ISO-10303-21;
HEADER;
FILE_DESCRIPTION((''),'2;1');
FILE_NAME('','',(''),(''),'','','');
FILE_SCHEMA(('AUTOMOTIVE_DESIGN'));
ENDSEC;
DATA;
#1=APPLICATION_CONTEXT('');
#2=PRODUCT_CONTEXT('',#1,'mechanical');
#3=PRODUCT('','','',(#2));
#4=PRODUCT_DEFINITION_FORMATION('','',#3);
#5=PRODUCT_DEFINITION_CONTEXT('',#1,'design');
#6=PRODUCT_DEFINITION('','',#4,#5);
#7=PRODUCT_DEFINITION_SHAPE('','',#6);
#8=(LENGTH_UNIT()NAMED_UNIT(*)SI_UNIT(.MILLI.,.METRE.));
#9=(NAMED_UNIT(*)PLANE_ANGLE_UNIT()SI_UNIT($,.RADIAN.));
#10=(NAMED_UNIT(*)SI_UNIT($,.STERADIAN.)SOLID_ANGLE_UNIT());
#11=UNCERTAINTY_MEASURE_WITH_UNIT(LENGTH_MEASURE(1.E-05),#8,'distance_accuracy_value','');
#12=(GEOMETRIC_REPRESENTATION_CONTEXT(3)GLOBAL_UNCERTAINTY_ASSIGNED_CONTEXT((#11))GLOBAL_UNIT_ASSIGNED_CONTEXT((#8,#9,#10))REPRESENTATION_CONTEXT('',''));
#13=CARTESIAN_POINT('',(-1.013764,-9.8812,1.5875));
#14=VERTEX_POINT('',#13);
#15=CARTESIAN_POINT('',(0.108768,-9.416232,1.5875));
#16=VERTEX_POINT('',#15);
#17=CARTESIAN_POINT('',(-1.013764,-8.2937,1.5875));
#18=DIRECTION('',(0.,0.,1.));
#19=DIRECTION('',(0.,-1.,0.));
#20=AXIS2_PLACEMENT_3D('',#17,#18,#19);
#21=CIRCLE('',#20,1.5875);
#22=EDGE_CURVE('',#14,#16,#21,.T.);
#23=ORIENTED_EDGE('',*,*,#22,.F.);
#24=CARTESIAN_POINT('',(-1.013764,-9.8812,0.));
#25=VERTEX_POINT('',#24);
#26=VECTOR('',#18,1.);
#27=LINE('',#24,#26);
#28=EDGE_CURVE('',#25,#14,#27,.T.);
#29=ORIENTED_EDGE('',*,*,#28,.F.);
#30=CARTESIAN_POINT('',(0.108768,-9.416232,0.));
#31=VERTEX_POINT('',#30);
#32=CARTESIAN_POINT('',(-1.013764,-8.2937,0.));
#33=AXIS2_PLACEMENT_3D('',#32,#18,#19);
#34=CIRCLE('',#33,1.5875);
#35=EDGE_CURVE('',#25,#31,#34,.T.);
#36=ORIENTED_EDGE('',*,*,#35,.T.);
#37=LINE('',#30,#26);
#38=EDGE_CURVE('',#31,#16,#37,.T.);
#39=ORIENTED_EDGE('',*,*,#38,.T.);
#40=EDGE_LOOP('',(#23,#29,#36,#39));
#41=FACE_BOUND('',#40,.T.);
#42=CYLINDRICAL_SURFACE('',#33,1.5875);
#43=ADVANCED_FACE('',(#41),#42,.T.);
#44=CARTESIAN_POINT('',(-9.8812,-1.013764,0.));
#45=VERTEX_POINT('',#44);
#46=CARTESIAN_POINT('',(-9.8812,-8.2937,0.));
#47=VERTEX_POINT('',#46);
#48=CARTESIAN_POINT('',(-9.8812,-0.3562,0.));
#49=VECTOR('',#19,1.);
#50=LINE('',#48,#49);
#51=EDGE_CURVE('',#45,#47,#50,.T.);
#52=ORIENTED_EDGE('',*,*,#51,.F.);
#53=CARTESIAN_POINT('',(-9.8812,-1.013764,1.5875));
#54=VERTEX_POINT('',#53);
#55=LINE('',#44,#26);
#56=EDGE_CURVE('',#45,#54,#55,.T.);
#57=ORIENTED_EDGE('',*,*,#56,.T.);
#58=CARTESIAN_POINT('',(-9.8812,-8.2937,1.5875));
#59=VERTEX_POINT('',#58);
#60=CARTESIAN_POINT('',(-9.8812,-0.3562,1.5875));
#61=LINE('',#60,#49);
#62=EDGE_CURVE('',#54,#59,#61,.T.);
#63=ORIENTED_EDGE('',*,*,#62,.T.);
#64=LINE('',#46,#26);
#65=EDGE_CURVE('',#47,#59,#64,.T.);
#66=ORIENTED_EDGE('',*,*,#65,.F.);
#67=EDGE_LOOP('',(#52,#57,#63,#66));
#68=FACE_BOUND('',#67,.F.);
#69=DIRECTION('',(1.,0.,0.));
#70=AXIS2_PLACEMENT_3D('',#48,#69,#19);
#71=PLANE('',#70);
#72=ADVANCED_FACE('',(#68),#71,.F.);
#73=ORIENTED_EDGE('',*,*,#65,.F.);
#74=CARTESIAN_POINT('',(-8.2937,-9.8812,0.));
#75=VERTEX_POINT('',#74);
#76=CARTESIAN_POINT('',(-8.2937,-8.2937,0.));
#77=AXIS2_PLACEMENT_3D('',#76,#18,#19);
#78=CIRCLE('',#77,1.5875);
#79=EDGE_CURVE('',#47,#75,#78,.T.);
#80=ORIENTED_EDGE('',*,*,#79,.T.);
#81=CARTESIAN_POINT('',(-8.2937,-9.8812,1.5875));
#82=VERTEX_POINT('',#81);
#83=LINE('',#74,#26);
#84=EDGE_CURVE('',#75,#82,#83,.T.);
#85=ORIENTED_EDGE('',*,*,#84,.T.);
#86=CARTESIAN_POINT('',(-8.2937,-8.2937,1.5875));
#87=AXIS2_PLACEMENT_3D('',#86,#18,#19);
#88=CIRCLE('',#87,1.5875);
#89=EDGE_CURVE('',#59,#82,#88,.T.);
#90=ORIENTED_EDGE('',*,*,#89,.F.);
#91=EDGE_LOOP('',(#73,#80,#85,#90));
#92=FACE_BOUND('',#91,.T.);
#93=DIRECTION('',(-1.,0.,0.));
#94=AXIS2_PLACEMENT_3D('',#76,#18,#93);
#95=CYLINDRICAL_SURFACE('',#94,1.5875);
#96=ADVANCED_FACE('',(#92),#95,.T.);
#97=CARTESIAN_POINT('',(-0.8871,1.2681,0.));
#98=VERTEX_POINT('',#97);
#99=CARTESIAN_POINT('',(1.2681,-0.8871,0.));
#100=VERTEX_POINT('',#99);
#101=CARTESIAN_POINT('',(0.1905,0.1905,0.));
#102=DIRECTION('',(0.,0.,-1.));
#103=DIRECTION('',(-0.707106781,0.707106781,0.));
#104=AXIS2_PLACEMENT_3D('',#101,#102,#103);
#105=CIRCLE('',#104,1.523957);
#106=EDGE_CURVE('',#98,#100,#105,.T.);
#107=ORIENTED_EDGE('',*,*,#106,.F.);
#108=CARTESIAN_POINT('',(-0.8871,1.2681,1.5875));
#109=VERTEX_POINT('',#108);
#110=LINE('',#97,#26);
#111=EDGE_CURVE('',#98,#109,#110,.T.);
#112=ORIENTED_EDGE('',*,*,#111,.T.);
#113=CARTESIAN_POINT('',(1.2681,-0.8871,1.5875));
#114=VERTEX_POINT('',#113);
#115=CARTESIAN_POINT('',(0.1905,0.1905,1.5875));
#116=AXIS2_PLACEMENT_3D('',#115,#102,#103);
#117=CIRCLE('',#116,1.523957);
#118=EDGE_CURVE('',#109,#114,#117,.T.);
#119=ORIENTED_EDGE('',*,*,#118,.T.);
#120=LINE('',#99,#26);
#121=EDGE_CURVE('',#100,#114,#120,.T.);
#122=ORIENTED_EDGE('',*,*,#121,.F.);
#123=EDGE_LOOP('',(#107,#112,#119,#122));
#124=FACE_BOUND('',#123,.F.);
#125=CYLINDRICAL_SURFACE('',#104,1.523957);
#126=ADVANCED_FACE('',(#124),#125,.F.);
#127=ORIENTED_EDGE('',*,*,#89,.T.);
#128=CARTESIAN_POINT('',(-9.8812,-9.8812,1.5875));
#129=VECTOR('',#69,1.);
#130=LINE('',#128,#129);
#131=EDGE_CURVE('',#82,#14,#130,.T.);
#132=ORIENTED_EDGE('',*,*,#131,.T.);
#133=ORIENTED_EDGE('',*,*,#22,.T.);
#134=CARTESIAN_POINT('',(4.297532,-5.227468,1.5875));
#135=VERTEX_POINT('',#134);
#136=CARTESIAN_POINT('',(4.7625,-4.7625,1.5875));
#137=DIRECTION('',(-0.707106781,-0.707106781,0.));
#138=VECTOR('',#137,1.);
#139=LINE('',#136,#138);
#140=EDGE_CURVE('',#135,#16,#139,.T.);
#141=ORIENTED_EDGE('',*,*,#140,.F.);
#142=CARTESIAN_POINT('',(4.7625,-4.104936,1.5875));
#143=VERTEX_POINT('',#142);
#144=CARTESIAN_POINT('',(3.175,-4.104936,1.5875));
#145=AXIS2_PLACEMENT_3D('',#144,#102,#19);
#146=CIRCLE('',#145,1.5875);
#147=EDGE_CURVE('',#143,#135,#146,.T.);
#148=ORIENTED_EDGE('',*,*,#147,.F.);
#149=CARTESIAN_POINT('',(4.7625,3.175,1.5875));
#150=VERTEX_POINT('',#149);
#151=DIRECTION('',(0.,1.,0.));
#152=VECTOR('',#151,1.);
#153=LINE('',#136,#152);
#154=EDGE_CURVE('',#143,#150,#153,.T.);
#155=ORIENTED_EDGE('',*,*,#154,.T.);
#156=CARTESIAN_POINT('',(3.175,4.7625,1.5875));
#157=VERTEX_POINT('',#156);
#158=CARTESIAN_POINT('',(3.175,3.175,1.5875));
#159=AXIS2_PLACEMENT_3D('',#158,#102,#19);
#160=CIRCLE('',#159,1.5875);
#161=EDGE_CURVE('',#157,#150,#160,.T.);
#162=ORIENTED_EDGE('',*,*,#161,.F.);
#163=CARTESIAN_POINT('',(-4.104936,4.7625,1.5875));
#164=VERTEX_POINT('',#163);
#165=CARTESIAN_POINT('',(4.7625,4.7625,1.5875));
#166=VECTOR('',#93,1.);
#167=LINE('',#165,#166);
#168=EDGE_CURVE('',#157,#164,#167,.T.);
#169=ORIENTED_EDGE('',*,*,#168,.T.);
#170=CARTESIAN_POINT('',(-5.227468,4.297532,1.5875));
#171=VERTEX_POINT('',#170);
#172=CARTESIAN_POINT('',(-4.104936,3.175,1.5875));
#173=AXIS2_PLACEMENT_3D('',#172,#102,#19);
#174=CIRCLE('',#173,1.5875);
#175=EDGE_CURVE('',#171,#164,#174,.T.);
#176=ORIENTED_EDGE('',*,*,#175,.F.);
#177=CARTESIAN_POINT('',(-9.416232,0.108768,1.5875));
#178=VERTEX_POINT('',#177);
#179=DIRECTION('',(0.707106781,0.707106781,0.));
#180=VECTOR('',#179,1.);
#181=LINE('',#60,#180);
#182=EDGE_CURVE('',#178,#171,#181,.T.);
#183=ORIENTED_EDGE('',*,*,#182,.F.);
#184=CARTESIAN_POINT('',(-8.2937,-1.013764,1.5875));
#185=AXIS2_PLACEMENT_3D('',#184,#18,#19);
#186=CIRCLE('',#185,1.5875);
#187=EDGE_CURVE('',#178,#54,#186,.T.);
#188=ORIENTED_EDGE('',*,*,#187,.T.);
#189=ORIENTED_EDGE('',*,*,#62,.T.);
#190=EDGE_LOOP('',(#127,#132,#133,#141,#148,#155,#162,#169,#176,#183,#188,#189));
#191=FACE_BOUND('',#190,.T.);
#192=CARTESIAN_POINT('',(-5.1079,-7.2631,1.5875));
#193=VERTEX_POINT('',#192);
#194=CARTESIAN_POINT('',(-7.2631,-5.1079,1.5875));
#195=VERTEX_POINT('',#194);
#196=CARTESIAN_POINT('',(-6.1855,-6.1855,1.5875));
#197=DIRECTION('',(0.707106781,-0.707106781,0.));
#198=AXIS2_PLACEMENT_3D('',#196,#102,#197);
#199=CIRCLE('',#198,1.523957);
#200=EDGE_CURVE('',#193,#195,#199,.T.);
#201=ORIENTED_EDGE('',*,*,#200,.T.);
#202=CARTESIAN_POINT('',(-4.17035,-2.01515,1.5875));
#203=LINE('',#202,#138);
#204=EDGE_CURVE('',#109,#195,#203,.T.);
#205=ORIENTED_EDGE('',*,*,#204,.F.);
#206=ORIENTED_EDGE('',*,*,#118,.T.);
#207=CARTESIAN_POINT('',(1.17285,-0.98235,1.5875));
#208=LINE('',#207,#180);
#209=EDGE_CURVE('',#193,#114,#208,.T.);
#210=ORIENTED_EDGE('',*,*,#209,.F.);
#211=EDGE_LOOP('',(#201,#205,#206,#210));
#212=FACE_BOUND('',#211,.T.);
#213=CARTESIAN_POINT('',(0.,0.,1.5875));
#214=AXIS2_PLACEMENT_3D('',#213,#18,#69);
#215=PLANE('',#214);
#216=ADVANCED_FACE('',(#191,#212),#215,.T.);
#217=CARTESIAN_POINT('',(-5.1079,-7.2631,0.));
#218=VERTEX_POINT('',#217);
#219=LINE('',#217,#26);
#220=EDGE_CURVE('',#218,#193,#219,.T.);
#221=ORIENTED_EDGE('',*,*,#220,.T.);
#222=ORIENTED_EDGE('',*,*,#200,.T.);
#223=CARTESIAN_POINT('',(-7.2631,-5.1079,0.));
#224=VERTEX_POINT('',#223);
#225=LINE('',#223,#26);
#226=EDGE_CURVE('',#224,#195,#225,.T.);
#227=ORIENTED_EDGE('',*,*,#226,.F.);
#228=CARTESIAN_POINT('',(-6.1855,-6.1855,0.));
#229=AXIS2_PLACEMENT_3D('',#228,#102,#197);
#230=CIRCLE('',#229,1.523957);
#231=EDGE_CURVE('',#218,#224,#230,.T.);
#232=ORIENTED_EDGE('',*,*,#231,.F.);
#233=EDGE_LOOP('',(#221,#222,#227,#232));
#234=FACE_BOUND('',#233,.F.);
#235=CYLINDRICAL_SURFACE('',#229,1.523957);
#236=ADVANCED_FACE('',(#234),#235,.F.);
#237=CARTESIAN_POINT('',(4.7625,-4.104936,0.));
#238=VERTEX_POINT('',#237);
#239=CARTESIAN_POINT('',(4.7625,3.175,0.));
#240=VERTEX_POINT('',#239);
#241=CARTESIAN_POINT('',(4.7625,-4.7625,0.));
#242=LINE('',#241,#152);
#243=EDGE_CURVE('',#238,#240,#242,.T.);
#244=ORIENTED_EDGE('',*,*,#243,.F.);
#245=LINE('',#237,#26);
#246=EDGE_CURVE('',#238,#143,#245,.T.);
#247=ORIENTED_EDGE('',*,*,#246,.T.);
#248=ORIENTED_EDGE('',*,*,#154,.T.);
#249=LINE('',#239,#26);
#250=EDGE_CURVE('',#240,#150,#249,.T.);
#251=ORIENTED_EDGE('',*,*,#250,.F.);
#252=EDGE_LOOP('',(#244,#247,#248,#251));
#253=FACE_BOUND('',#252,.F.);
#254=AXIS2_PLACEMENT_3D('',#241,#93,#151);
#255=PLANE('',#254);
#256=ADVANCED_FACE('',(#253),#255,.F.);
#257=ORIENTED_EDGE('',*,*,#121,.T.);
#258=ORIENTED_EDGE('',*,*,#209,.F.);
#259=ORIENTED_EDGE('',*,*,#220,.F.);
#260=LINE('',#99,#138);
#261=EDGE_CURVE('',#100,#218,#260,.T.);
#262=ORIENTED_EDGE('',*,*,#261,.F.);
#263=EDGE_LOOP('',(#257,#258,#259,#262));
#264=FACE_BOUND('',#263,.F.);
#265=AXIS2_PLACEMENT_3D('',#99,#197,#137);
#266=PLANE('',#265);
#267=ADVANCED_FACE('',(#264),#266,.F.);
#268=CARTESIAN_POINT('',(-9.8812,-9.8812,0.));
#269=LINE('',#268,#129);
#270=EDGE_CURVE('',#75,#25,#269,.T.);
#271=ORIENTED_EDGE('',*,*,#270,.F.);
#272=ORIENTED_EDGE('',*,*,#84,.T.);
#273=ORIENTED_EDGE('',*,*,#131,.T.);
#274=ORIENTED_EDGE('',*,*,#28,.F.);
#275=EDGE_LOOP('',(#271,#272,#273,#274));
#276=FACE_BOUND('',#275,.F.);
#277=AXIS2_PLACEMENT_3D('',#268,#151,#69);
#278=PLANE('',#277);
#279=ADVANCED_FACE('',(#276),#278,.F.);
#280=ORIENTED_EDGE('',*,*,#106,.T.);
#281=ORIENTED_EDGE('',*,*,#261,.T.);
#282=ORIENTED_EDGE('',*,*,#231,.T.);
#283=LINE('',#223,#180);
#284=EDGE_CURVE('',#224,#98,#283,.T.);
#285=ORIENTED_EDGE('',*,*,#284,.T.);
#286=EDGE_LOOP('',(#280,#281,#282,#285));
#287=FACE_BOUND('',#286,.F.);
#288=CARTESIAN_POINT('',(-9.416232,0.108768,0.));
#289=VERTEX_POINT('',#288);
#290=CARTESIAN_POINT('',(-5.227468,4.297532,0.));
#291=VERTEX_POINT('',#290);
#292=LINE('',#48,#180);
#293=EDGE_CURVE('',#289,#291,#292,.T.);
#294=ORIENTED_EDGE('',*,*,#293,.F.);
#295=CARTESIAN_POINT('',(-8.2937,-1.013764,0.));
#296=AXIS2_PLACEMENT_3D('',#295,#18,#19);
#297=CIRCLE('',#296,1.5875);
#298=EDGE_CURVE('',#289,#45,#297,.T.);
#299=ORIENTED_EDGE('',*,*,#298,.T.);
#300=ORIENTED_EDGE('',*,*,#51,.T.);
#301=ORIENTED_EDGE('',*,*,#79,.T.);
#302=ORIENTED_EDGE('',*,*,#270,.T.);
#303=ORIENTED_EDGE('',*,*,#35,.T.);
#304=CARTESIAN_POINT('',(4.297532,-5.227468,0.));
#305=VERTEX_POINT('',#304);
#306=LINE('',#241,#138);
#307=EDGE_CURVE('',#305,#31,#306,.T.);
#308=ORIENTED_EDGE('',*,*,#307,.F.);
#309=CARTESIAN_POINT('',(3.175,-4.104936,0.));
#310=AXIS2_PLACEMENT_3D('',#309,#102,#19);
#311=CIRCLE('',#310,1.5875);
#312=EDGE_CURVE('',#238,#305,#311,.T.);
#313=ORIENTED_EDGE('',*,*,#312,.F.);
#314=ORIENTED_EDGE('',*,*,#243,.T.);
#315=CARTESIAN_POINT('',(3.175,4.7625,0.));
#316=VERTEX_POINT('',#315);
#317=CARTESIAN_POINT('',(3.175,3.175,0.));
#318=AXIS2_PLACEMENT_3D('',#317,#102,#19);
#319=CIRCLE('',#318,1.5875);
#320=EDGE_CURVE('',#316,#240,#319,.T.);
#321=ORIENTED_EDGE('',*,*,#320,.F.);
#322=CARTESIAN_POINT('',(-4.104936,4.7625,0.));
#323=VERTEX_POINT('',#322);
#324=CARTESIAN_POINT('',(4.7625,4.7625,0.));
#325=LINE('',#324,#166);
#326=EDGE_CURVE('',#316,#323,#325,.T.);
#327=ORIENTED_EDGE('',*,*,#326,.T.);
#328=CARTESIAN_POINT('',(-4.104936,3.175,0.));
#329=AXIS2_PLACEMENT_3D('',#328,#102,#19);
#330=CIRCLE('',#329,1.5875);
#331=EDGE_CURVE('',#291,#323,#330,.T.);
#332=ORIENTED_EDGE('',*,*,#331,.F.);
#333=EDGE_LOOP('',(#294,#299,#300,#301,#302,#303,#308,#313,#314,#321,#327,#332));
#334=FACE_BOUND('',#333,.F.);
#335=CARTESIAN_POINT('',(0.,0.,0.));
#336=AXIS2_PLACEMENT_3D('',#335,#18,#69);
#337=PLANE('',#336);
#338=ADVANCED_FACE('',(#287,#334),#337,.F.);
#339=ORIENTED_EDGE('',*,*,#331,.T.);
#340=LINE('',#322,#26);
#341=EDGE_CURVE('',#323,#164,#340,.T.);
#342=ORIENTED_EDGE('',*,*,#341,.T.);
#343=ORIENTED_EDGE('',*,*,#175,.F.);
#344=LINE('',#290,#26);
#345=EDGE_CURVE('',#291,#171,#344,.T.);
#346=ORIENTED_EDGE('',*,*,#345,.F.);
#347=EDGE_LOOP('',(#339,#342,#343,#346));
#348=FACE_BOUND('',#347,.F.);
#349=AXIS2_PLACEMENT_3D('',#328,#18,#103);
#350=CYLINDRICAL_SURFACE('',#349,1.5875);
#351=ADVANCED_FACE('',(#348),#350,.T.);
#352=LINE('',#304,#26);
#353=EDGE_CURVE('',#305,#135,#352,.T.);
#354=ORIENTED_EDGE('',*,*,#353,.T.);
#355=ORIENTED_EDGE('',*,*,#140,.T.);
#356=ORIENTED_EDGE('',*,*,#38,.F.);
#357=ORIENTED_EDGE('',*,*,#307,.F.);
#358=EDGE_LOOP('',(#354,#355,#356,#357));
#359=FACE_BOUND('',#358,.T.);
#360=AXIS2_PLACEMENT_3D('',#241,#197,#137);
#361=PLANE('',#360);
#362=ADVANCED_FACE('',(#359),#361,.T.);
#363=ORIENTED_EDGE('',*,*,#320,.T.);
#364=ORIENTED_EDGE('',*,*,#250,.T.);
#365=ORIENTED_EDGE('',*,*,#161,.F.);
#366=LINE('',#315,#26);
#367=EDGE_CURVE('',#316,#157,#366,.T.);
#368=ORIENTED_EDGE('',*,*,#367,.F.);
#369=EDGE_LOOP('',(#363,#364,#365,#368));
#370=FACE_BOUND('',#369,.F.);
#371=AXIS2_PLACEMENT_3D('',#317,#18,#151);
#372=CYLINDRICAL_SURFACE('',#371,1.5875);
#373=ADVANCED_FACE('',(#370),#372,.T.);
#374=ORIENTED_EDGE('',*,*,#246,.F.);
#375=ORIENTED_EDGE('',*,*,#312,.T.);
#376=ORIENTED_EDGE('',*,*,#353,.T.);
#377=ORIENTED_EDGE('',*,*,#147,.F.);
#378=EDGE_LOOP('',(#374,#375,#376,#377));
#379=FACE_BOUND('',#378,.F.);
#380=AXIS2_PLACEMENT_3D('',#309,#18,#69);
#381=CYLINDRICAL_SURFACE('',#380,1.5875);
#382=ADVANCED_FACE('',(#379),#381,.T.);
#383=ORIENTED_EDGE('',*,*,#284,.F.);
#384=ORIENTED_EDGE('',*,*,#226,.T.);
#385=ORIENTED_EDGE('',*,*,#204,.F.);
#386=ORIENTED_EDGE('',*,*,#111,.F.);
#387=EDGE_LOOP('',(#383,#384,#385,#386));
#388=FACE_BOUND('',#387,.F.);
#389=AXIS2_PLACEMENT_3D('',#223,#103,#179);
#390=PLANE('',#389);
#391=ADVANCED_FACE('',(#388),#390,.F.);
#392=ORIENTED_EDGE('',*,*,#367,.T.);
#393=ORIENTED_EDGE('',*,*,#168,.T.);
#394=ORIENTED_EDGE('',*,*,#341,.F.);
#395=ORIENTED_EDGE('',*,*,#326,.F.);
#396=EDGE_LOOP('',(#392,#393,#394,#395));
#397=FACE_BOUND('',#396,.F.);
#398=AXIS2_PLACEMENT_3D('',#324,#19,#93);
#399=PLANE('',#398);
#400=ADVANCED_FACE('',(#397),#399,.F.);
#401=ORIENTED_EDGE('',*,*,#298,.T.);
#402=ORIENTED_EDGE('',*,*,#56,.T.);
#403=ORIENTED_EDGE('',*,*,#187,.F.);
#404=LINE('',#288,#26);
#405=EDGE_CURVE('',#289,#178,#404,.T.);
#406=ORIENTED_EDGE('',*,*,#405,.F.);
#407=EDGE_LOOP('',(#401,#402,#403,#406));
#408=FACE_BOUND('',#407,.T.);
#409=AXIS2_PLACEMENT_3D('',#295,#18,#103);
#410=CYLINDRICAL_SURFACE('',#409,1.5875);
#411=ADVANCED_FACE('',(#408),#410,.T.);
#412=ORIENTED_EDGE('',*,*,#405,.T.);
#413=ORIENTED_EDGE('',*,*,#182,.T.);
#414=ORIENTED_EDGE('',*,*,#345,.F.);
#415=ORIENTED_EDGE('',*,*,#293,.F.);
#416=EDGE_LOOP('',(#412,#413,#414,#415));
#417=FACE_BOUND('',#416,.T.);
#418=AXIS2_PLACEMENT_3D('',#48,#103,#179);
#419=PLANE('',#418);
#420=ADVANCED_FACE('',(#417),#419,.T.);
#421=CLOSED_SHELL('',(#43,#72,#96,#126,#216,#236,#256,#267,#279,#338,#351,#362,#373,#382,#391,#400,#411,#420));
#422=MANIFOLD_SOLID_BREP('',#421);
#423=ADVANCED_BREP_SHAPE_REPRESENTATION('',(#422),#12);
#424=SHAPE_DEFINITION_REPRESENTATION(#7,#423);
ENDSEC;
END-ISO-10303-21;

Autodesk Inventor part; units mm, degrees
ref_plane "YZ Plane" through (0, 0, 0) normal (1, 0, 0) x (0, 1, 0)
ref_plane "XZ Plane" through (0, 0, 0) normal (0, 1, 0) x (-1, 0, 0)
ref_plane "XY Plane" through (0, 0, 0) normal (0, 0, 1) x (1, 0, 0)
sketch "Sketch2" plane through (0, 0, 0) normal (0, 0, 1) x (1, 0, 0)
  line L0 (-4.7625, -4.7625) -> (4.7625, -4.7625)
  line L1 (4.7625, -4.7625) -> (4.7625, 4.7625)
  line L2 (4.7625, 4.7625) -> (-4.7625, 4.7625)
  line L3 (-4.7625, 4.7625) -> (-4.7625, -4.7625)
  line L4 (-4.7625, -4.7625) -> (4.7625, 4.7625) construction
  line L5 (4.7625, -4.7625) -> (-4.7625, 4.7625) construction
  line L6 (-4.7625, 4.7625) -> (4.7625, -4.7625)
  line L7 (4.7625, -4.7625) -> (-0.3562, -9.8812)
  line L8 (-0.3562, -9.8812) -> (-9.8812, -0.3562)
  line L9 (-9.8812, -0.3562) -> (-4.7625, 4.7625)
  line L10 (-9.8812, -0.3562) -> (-9.8812, -9.8812)
  line L11 (-9.8812, -9.8812) -> (-0.3562, -9.8812)
  line L12 (-0.3562, -9.8812) -> (-0.3562, -0.3562)
  line L13 (-0.3562, -0.3562) -> (-9.8812, -0.3562)
  line L14 (-9.8812, -0.3562) -> (-0.3562, -9.8812) construction
  line L15 (-9.8812, -9.8812) -> (-0.3562, -0.3562) construction
  point P0 (0, 0)
  point P1 (-5.1187, -5.1187)
  point P2 (-5.1187, -5.1187)
  dimension "clip_edge" = 9.525
  dimension "d1" = 9.525
  dimension "d2" = 7.239
  dimension "d39" = 9.525
  dimension "d40" = 9.525
extrude "Extrusion1" add sketch "Sketch2" along normal blind 1.5875
sketch "Sketch3" plane through (0, 0, 0) normal (0, 0, -1) x (-1, 0, 0)
  line L0 (6.1855, -6.1855) -> (-0.1905, 0.1905)
  line L1 (0.3562, -9.8812) -> (-4.7625, -4.7625) construction
  line L2 (-4.7625, 4.7625) -> (5.1187, -5.1187) construction
  line L3 (9.8812, -0.3562) -> (0.3562, -9.8812) construction
  line L4 (-4.7625, 4.7625) -> (4.7625, 4.7625) projected
  line L5 (6.1855, -6.1855) -> (-0.1905, 0.1905) construction
  line L6 (7.2631, -5.1079) -> (0.8871, 1.2681)
  line L7 (-1.2681, -0.8871) -> (5.1079, -7.2631)
  arc A0 (5.1079, -7.2631) -> (7.2631, -5.1079) centre (6.1855, -6.1855) ccw
  arc A1 (0.8871, 1.2681) -> (-1.2681, -0.8871) centre (-0.1905, 0.1905) ccw
  point P0 (0, 0)
  point P1 (2.9975, -2.9975)
  dimension "d5" = 9.017
  dimension "d6" = 4.572
  dimension "d31" = 3.048
extrude "Extrusion7" cut sketch "Sketch3" against normal through all
fillet "Fillet13" radius 1.5875 6 edges at (-4.7625, 4.7625, 0.7937) (-9.8812, -0.3562, 0.7937) (-9.8812, -9.8812, 0.7937) (4.7625, -4.7625, 0.7937) (4.7625, 4.7625, 0.7937) (-0.3562, -9.8812, 0.7937)
equation "\"d1\" = clip_edge"
properties part number "hph_D_001"
